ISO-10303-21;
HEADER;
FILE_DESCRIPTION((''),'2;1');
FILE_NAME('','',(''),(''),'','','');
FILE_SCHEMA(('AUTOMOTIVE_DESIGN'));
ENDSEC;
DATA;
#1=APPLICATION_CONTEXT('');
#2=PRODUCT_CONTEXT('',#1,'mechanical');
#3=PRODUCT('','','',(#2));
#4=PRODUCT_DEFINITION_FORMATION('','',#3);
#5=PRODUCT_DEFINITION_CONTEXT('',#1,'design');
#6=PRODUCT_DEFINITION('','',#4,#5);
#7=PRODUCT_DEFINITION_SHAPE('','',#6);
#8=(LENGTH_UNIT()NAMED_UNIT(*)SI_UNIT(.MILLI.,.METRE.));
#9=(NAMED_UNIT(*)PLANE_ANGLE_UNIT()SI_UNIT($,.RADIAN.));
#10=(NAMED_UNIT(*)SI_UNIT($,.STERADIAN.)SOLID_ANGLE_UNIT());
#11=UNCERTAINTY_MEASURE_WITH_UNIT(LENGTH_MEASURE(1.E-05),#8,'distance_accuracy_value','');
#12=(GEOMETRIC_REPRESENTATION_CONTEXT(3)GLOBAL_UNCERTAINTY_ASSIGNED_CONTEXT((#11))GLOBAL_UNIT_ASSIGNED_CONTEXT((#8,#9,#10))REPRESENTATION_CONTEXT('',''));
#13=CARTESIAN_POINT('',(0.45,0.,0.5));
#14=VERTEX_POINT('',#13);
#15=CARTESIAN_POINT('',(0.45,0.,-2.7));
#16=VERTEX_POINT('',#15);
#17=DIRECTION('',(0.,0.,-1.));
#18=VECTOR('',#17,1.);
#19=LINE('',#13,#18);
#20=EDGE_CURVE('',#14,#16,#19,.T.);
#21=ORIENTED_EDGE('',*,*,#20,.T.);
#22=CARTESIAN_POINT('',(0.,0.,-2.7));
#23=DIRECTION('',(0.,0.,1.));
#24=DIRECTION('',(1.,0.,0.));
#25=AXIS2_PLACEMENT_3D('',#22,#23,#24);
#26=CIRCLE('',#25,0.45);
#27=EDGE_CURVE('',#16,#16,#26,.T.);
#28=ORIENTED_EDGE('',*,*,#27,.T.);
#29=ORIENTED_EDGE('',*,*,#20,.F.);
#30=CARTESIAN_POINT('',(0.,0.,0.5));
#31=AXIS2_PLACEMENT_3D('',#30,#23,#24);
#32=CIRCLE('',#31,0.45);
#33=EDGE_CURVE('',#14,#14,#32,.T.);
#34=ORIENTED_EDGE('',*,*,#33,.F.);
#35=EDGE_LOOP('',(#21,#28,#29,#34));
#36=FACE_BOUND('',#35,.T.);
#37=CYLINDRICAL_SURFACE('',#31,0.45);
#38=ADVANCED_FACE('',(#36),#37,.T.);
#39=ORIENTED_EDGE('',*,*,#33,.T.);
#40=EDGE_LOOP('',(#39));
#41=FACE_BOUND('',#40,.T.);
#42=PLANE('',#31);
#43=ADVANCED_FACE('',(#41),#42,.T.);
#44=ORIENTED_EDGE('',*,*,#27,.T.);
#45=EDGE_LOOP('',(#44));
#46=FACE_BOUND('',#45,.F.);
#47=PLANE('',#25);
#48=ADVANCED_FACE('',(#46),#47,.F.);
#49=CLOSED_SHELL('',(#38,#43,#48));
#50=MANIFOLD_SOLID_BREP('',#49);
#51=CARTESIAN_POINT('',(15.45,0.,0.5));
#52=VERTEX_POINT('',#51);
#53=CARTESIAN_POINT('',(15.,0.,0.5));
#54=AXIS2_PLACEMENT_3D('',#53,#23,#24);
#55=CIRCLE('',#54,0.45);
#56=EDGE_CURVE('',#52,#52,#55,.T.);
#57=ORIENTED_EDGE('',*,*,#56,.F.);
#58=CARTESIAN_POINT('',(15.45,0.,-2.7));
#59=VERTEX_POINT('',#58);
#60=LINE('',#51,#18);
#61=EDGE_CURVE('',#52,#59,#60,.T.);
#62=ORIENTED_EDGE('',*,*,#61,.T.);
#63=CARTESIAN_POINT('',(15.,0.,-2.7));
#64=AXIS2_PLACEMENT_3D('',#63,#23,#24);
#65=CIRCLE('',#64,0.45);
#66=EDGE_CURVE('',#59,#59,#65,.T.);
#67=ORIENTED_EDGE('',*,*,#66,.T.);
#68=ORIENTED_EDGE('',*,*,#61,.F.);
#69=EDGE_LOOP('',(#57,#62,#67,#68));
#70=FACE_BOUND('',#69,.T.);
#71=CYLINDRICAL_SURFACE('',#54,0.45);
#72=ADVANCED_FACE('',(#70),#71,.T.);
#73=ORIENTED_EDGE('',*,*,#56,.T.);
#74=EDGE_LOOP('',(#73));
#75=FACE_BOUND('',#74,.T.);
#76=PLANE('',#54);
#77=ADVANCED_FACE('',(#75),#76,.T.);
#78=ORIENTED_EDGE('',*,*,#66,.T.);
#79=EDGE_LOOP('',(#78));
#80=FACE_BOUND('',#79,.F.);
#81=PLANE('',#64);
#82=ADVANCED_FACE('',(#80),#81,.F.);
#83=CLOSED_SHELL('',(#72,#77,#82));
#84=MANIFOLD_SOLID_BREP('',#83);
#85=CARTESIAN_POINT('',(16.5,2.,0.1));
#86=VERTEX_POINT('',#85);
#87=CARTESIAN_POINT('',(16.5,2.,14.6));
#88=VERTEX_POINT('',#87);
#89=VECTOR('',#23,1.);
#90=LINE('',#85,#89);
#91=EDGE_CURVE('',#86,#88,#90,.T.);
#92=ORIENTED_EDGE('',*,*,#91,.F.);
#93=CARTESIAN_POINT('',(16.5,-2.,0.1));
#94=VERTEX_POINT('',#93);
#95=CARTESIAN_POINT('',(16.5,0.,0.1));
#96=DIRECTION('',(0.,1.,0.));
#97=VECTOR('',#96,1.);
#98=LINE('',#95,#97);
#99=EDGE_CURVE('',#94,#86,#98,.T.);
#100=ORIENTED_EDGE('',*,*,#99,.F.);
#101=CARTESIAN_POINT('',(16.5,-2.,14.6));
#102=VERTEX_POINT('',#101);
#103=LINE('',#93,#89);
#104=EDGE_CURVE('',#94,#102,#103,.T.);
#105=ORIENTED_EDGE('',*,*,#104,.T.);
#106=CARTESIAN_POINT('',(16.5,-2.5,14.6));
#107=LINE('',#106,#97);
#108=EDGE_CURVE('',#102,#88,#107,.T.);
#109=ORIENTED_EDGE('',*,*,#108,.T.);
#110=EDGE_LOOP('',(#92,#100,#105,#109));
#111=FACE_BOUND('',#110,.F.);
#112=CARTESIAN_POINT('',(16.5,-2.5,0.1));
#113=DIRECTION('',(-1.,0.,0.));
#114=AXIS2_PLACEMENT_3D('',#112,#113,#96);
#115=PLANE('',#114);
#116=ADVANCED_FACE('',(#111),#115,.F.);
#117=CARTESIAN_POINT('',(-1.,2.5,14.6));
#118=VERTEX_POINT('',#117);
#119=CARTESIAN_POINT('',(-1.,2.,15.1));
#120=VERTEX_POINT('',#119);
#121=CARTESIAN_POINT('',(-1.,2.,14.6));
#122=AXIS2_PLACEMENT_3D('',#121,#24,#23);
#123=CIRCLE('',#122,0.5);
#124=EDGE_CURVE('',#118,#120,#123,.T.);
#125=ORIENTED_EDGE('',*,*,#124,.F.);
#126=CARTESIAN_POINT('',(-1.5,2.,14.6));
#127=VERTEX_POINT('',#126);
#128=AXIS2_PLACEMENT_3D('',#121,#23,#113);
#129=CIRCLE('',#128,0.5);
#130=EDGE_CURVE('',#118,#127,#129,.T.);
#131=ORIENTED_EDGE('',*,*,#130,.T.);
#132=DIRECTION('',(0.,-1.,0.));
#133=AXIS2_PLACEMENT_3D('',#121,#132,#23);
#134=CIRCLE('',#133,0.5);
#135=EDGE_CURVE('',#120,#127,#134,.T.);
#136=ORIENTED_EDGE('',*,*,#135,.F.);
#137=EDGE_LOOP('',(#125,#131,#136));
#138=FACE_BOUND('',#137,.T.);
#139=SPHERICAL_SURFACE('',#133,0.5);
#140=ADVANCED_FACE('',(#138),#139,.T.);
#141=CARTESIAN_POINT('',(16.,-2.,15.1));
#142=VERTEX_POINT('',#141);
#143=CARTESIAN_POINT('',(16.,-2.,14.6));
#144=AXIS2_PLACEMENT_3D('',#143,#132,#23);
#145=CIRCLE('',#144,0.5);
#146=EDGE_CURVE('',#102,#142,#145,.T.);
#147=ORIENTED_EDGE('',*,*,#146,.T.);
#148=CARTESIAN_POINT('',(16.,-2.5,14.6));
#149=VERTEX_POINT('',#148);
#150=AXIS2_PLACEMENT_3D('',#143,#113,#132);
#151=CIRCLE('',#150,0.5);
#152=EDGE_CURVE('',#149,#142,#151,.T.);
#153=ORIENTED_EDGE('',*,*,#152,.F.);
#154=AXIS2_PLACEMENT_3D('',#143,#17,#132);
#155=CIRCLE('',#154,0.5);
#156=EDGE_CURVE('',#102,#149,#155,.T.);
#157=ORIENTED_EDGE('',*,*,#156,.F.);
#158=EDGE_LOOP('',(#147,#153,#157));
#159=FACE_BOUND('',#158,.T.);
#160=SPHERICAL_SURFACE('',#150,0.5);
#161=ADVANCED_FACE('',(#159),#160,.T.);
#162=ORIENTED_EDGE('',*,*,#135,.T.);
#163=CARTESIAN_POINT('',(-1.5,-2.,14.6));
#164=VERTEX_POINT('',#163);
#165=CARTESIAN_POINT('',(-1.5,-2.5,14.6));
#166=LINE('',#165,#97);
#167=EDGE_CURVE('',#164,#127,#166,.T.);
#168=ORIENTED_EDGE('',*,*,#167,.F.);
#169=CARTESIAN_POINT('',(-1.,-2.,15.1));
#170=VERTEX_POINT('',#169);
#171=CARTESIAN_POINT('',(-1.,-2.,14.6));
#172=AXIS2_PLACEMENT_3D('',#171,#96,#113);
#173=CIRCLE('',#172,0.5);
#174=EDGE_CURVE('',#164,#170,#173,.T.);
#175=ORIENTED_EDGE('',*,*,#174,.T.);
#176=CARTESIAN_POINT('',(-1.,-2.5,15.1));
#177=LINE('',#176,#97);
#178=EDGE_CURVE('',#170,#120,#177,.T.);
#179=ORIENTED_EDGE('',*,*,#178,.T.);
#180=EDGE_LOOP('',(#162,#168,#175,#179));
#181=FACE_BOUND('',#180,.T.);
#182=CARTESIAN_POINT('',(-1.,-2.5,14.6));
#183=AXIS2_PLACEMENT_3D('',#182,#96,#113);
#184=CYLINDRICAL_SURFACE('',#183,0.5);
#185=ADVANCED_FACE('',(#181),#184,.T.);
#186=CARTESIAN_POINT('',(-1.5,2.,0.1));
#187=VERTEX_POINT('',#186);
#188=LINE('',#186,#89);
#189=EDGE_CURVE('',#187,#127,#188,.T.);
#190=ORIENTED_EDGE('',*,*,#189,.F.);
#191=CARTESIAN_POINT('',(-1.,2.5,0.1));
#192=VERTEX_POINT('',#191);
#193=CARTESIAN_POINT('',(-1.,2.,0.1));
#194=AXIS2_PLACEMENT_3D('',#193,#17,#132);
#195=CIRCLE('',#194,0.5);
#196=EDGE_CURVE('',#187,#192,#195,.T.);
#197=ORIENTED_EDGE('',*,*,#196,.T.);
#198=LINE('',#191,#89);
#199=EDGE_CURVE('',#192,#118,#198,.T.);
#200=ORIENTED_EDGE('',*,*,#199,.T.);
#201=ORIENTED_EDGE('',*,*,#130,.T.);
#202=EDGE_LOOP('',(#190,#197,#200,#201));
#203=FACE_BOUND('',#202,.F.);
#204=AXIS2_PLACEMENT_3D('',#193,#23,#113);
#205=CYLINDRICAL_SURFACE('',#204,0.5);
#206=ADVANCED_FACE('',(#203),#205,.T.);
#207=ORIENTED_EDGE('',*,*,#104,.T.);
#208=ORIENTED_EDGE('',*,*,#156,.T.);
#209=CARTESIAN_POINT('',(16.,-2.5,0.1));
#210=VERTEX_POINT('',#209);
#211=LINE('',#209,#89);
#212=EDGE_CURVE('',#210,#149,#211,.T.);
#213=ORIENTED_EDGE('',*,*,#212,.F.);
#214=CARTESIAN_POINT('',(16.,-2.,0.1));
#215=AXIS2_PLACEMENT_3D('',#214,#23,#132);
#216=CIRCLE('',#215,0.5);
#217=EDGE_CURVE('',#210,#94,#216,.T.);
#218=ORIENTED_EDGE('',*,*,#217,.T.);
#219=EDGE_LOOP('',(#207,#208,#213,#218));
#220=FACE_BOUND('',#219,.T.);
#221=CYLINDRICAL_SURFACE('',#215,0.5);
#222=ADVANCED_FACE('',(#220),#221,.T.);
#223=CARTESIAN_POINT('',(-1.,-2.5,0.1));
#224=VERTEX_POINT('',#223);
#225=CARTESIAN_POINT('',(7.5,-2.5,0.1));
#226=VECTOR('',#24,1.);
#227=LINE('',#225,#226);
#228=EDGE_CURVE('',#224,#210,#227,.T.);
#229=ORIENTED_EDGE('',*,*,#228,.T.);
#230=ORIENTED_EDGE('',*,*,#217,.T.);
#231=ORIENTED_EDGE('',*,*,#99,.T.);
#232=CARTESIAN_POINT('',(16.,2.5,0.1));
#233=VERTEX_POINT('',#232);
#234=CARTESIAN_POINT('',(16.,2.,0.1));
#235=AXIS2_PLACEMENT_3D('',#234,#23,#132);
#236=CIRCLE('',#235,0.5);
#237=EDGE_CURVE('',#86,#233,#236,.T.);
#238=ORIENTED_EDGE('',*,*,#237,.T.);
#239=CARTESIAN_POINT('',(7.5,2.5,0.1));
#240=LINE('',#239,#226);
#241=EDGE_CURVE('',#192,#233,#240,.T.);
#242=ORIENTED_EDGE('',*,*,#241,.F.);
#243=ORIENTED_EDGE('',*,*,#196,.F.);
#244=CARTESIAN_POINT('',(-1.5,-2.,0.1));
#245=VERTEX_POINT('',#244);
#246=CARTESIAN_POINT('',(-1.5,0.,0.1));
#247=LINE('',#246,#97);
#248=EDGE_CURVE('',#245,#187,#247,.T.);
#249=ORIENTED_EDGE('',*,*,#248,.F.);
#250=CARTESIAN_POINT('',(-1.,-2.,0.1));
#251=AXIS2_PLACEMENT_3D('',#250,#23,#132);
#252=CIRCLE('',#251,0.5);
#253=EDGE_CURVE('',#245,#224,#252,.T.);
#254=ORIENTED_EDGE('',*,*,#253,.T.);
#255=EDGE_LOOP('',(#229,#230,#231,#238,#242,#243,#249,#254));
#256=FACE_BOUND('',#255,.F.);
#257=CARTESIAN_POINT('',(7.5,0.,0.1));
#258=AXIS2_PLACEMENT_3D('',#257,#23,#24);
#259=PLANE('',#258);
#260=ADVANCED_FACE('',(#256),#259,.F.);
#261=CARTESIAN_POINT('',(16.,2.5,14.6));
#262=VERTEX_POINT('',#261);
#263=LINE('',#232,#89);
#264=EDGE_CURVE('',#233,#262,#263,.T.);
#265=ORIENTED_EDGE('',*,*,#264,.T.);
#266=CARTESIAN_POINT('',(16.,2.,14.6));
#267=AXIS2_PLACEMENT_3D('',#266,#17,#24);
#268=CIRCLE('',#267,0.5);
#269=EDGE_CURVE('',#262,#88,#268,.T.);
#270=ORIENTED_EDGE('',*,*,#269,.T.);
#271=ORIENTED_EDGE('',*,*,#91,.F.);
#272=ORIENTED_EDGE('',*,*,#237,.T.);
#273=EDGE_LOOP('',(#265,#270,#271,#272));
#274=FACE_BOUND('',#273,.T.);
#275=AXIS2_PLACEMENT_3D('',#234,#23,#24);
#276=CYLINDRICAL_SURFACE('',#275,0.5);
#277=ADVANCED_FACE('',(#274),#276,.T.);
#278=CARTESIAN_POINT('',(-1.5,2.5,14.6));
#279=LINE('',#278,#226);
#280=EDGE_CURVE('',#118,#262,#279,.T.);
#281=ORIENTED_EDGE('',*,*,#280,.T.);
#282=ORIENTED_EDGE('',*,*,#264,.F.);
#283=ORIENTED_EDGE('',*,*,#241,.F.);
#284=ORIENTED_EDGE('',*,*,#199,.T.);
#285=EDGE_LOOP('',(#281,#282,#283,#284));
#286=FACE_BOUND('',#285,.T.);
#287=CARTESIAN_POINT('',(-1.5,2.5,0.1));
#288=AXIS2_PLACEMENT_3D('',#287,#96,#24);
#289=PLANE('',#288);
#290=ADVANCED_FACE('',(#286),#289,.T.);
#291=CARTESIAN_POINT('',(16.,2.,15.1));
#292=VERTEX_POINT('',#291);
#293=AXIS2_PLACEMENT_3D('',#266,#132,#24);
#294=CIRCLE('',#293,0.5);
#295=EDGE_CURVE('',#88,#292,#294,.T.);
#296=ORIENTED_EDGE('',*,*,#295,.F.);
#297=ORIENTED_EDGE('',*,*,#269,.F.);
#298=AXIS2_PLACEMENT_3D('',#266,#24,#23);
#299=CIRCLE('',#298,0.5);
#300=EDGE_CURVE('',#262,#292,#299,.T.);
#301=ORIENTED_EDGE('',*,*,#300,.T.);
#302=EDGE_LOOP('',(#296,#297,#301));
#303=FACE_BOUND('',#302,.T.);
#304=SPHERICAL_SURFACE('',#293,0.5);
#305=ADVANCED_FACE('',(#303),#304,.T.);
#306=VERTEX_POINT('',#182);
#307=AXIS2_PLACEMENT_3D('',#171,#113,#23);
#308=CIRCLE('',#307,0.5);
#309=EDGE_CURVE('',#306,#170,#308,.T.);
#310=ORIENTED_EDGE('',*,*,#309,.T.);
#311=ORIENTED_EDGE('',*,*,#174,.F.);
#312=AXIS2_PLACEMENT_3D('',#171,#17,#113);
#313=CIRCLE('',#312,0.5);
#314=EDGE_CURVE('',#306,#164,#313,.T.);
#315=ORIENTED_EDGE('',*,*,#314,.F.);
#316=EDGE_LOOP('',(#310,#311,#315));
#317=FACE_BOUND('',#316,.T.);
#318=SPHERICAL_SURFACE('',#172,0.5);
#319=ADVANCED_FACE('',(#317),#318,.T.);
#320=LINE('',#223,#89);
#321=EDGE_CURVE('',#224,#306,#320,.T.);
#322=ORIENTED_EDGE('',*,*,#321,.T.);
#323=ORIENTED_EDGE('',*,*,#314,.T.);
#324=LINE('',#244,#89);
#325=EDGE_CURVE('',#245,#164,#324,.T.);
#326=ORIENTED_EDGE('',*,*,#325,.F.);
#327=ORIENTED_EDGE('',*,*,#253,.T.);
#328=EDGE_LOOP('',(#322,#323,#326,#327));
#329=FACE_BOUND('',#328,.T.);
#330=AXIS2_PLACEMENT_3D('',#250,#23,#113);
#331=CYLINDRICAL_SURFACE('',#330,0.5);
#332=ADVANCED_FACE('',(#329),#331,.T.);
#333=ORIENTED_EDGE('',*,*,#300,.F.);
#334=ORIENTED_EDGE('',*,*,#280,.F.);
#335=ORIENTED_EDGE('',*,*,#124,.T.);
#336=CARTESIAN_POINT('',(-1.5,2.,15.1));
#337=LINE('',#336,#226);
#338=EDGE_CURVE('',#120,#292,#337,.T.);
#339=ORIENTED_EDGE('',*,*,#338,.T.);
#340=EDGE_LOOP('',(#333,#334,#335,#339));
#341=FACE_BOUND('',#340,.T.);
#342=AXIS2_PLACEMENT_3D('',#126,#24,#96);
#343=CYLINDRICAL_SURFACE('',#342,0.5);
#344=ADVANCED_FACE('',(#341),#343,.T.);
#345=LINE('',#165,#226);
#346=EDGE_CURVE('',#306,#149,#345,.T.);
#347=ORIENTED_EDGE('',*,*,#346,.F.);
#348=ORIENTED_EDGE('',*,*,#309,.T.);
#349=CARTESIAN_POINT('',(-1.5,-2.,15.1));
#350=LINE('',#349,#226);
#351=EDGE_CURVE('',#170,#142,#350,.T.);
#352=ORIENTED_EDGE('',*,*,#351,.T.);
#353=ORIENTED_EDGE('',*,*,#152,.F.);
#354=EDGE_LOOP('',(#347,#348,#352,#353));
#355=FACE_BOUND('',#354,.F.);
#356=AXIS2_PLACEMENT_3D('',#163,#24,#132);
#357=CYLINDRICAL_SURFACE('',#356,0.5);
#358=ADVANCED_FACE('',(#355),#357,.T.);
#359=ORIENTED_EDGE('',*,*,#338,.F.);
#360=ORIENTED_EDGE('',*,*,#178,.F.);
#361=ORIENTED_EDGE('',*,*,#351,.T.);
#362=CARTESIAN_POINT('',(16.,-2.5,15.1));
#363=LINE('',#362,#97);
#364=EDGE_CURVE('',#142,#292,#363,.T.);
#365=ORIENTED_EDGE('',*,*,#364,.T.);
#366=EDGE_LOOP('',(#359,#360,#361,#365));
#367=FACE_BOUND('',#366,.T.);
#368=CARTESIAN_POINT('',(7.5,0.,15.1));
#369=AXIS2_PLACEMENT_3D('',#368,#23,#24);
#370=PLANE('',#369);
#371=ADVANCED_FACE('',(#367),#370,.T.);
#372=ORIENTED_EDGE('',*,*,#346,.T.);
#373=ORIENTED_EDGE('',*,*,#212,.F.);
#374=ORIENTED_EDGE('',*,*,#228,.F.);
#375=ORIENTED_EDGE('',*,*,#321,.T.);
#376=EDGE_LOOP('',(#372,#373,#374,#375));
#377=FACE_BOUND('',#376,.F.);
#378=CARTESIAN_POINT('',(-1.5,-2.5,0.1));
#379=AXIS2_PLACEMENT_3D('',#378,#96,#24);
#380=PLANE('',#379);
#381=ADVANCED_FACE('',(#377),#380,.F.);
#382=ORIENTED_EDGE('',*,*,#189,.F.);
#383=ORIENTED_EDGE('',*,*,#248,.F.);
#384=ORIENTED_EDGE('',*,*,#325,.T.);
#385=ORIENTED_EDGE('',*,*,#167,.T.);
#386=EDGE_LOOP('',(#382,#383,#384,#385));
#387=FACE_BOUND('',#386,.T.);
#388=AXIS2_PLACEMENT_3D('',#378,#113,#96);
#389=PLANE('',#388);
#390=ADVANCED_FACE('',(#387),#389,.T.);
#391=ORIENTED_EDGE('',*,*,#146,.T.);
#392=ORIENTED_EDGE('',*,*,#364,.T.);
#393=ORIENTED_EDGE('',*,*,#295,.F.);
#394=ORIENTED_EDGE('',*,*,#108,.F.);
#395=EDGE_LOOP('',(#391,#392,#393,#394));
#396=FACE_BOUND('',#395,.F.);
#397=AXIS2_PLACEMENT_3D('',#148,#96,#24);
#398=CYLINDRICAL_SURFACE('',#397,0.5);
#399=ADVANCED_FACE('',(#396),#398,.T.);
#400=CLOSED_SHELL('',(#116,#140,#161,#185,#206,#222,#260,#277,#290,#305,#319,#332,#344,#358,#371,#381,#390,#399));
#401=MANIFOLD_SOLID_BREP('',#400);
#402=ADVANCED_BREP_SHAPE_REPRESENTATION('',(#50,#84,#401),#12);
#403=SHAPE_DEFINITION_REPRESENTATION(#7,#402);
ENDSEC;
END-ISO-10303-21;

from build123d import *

# Parameters (mm, degrees)
SKETCH_W     = 18
SKETCH_H     = 5
PAD_DEPTH    = 15
FILLET_R     = 0.5
SKETCH001_R  = 0.45
PAD001_DEPTH = 3.2


with BuildPart() as fillet_body:
    # Sketch → Pad (new body)
    with BuildSketch(Plane.XY.offset(0.1)):
        with Locations((7.5, 0)):
            Rectangle(SKETCH_W, SKETCH_H)
    extrude(amount=PAD_DEPTH)

    # Fillet
    fillet_edges = [fillet_body.edges().sort_by_distance(p)[0] for p in [
        (-1.5, 0, 15.1),
        (-1.5, -2.5, 7.6),
        (7.5, -2.5, 15.1),
        (16.5, -2.5, 7.6),
        (16.5, 0, 15.1),
        (16.5, 2.5, 7.6),
        (7.5, 2.5, 15.1),
        (-1.5, 2.5, 7.6),
    ]]
    fillet(fillet_edges, radius=FILLET_R)


with BuildPart() as pad001:
    # Sketch001 → Pad001 (new body)
    with BuildSketch(Plane.XY.offset(0.5)):
        Circle(SKETCH001_R)
        with Locations((15, 0)):
            Circle(SKETCH001_R)
    extrude(amount=-PAD001_DEPTH)


solid = Compound([fillet_body.part, pad001.part])
